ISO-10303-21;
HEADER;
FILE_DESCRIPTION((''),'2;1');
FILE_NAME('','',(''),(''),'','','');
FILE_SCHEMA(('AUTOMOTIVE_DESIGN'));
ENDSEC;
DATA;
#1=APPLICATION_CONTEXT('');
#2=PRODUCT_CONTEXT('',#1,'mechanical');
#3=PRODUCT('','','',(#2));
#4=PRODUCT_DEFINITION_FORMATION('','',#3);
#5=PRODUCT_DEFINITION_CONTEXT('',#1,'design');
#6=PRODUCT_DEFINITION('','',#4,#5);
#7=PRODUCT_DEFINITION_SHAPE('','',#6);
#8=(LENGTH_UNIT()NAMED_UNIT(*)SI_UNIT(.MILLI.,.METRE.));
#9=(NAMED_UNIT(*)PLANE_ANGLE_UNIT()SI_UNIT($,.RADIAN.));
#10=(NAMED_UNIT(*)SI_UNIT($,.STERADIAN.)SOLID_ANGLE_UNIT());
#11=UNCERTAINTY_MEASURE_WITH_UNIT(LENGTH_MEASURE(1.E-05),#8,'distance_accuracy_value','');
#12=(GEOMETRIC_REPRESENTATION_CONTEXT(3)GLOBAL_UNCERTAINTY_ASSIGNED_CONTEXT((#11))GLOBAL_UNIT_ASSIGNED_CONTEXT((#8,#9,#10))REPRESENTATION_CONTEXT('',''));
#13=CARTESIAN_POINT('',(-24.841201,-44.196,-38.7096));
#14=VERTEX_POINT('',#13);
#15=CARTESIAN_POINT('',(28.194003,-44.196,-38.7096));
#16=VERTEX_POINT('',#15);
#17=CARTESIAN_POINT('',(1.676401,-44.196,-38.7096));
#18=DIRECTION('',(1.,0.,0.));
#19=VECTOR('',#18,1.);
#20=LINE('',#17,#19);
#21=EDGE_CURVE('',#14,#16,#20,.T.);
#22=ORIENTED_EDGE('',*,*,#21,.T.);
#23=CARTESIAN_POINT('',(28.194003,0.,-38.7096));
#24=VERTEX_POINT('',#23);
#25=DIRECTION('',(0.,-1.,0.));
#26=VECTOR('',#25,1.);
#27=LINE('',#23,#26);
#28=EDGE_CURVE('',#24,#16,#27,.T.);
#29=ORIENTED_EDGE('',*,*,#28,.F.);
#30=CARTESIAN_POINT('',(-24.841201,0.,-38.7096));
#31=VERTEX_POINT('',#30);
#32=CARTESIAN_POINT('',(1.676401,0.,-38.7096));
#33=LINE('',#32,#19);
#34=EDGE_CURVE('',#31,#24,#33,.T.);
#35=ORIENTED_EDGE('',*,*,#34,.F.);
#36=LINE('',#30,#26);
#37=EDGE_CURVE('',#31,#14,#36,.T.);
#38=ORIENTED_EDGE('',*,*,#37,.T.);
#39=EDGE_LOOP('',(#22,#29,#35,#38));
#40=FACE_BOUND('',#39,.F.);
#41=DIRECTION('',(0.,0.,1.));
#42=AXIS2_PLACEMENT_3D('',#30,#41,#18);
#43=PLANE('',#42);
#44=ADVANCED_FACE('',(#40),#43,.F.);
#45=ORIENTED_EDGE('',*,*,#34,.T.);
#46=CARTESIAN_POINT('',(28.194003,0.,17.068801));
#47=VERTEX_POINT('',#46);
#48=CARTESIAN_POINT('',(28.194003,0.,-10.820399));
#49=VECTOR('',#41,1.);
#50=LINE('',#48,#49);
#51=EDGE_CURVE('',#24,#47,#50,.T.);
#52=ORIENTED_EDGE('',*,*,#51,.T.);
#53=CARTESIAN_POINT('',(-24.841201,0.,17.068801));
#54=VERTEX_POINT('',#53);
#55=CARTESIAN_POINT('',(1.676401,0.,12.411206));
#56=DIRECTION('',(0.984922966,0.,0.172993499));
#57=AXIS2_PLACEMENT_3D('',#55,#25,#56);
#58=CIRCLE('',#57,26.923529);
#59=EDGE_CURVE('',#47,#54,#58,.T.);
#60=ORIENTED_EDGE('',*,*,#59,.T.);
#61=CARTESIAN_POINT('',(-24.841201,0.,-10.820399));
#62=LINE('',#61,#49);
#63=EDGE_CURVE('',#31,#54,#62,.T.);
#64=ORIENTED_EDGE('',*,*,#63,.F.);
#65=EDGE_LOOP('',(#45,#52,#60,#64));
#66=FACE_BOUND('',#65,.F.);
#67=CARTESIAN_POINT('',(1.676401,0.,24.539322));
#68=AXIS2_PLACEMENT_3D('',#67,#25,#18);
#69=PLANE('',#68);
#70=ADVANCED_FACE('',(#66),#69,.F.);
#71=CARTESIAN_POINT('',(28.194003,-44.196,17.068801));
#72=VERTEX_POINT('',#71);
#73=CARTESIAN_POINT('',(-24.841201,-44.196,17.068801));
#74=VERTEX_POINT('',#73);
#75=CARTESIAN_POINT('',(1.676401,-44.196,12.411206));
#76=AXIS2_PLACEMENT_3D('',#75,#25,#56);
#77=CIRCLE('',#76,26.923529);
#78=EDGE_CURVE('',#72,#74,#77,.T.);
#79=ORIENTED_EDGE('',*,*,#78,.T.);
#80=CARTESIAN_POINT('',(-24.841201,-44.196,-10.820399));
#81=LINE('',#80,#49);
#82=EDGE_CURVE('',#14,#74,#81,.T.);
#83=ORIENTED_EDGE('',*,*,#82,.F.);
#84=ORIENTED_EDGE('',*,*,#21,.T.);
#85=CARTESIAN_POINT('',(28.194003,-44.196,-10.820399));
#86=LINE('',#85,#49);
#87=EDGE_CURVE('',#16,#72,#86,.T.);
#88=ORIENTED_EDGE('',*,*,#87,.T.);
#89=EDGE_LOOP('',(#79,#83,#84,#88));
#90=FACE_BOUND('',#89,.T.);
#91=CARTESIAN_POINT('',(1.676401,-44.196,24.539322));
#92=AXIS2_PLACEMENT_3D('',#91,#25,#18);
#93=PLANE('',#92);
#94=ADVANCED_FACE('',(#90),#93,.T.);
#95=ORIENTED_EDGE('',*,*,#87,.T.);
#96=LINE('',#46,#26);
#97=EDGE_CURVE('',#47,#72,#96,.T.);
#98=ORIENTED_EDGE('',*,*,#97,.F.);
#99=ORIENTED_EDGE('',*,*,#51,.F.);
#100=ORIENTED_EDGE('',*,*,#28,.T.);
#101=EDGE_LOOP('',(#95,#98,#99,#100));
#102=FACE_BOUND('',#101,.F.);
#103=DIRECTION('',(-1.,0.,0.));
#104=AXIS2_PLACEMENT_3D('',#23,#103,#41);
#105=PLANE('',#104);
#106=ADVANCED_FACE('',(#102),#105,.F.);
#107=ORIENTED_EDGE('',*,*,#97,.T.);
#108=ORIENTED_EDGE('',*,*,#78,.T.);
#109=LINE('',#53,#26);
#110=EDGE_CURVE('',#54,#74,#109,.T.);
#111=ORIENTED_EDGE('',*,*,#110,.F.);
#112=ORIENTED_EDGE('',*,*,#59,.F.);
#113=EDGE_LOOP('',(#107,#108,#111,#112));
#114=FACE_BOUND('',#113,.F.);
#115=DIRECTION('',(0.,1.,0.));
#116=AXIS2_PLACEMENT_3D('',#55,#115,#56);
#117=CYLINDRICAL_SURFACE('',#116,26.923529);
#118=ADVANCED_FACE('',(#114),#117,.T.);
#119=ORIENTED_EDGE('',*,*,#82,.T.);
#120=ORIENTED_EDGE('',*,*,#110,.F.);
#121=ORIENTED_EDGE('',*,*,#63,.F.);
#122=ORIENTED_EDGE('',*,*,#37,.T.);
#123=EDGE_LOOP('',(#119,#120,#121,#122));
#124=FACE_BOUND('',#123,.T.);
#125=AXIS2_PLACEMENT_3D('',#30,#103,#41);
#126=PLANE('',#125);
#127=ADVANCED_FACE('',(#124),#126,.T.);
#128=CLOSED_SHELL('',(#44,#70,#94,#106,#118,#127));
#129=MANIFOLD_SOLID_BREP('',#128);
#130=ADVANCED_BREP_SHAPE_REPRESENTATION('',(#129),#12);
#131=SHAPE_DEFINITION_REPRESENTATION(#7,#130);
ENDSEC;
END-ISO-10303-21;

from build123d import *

# Parameters (mm, degrees)
F0_W     = 53.0352033675
F0_H     = 55.7784009725
F1_DEPTH = 44.196


with BuildPart() as f1:
    # F0 (on Front) → F1 (new body)
    with BuildSketch(Plane.XZ):
        with BuildLine():
            ThreePointArc((28.1940028071, 17.0688014477), (1.6764011234, 39.3347346579), (-24.8412005603, 17.0688014477))
            Line((-24.8412005603, 17.0688014477), (28.1940028071, 17.0688014477))
        make_face()
        with Locations((1.6764011234, -10.8203990385)):
            Rectangle(F0_W, F0_H)
    extrude(amount=F1_DEPTH)


solid = f1.part
